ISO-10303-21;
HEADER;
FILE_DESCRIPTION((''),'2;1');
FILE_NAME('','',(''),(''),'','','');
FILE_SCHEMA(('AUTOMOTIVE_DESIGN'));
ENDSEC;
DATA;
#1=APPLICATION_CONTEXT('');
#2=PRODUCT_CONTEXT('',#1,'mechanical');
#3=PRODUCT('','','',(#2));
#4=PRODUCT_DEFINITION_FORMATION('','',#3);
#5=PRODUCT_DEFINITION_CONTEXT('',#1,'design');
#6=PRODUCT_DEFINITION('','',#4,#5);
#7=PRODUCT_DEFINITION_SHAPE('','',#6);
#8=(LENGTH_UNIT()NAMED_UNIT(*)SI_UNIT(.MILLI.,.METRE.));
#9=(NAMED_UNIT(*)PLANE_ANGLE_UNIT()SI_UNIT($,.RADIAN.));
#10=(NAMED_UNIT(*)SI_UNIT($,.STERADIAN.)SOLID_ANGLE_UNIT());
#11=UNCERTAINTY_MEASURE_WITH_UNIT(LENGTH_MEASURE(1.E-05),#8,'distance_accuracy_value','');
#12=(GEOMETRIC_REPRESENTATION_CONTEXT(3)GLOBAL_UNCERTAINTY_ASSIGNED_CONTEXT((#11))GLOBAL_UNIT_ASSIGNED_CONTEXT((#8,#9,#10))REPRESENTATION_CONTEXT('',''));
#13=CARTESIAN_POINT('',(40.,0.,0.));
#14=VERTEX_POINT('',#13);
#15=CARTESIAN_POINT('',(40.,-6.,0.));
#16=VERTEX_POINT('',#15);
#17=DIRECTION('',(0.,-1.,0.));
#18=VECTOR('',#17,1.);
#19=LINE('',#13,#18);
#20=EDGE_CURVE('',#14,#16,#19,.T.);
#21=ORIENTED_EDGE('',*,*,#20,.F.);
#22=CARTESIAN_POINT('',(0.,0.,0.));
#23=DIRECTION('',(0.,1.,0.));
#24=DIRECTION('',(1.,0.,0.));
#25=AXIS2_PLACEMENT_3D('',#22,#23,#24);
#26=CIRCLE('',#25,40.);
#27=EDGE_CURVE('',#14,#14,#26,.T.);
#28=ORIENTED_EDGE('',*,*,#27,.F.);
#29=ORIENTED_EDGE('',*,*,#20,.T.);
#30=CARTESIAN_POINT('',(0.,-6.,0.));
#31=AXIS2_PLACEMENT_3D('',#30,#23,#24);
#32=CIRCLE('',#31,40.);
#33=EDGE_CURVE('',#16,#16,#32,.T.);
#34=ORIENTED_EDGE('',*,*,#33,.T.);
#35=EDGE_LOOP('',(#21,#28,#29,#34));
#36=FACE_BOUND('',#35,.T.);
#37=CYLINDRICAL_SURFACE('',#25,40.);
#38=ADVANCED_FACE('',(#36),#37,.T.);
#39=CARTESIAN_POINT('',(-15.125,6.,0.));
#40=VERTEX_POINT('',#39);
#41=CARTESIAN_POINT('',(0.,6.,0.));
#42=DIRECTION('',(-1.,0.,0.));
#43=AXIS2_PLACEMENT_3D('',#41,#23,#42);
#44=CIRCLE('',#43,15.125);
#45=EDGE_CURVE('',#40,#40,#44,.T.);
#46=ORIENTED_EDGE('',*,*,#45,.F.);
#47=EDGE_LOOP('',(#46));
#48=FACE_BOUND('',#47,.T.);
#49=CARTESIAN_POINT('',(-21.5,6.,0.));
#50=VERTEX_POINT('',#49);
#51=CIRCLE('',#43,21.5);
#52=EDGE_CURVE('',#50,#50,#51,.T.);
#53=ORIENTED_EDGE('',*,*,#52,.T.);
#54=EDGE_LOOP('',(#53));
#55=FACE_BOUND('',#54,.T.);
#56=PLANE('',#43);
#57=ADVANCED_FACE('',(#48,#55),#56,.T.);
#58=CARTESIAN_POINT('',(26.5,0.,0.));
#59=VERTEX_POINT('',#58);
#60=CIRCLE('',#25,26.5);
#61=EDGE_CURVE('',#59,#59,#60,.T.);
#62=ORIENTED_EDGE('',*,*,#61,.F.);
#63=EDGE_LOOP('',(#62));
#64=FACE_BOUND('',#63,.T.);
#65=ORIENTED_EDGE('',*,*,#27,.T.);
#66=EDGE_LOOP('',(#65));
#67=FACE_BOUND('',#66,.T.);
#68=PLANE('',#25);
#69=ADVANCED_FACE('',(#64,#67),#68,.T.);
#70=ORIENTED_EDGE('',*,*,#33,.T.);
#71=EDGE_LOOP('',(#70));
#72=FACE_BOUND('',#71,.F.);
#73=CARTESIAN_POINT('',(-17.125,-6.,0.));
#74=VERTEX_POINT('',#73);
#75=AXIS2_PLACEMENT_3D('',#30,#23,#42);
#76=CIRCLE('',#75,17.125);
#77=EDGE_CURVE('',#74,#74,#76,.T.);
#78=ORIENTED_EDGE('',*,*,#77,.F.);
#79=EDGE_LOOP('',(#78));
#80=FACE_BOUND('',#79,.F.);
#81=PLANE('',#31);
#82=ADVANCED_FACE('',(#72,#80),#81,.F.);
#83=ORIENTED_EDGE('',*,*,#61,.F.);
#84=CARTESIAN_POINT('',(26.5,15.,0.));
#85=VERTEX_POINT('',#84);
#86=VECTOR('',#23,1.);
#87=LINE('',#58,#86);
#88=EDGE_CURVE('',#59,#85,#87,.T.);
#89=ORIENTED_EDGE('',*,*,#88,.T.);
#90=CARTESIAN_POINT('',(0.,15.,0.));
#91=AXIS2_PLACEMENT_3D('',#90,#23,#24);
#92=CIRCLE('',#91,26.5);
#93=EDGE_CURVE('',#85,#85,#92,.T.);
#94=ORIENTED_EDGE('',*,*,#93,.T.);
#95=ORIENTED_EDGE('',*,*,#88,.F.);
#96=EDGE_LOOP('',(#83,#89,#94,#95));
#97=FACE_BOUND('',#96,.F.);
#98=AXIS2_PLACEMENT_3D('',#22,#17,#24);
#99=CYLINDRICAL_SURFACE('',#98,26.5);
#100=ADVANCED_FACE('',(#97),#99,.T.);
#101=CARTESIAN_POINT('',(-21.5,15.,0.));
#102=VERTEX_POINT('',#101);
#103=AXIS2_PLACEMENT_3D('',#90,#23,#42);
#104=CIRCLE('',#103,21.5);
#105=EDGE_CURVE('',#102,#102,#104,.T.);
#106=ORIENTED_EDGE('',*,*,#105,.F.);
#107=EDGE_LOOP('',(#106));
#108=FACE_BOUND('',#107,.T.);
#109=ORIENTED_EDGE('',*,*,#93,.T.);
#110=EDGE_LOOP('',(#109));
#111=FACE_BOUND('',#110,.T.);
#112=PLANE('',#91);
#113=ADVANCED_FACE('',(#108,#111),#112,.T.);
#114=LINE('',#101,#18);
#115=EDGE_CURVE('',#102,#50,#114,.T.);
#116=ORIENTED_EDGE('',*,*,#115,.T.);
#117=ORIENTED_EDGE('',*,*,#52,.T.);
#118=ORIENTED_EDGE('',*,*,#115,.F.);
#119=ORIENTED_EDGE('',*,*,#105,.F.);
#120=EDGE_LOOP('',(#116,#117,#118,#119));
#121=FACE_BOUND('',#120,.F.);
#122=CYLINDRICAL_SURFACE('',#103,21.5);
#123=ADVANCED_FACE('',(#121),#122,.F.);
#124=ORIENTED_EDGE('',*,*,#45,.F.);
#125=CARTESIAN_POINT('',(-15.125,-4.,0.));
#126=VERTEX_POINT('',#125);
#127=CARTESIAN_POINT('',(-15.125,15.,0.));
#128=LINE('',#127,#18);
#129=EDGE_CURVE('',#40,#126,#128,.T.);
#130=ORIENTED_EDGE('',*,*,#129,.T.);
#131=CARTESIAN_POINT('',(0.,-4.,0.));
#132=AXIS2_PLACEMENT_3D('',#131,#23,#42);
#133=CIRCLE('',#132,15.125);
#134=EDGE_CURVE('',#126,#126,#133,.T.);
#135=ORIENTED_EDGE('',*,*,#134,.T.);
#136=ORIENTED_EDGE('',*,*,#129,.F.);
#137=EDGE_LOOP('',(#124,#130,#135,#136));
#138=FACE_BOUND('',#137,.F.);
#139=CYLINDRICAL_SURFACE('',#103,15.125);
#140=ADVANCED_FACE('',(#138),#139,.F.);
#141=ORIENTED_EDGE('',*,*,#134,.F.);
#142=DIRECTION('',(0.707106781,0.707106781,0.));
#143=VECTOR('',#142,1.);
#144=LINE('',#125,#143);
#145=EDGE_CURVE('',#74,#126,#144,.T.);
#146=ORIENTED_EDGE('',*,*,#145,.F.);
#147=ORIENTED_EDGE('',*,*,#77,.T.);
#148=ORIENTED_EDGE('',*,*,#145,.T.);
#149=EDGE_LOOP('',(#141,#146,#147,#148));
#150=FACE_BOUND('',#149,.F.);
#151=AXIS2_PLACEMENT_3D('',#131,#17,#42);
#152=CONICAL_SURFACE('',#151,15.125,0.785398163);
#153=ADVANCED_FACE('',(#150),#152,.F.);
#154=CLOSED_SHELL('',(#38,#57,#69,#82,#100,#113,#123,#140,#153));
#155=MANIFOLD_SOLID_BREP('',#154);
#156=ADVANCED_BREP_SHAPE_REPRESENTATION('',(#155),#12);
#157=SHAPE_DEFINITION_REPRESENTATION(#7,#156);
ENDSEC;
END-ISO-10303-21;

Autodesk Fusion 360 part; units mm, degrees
sketch "Sketch1" plane through (0, 0, 0) normal (0, 1, 0) x (1, 0, 0)
  circle A0 centre (0, 0) radius 26.5
  circle A1 centre (0, 0) radius 40
  dimension "d1" = 53
  dimension "d2" = 80
extrude "Extrude1" add sketch "Sketch1" along normal blind 15 contours A0
extrude "Extrude2" add sketch "Sketch1" against normal blind 6 contours A0 | A1
sketch "Sketch2" plane through (0, 15, 0) normal (0, 1, 0) x (-1, 0, 0)
  circle A0 centre (0, 0) radius 26.5
  circle A1 centre (0, 0) radius 15.125
  dimension "d7" = 30.25
extrude "Extrude3" cut sketch "Sketch2" against normal blind 77.834 contours A1
sketch "Sketch3" plane through (0, 15, 0) normal (0, 1, 0) x (-1, 0, 0)
  circle A0 centre (0, 0) radius 15.125
  circle A1 centre (0, 0) radius 26.5
  circle A2 centre (0, 0) radius 21.5
  dimension "d10" = 43
extrude "Extrude4" cut sketch "Sketch3" against normal blind 9 contours A2
chamfer "Chamfer1" distance 2 angle 45 1 edges at (14.1015, -6, -5.4694)
